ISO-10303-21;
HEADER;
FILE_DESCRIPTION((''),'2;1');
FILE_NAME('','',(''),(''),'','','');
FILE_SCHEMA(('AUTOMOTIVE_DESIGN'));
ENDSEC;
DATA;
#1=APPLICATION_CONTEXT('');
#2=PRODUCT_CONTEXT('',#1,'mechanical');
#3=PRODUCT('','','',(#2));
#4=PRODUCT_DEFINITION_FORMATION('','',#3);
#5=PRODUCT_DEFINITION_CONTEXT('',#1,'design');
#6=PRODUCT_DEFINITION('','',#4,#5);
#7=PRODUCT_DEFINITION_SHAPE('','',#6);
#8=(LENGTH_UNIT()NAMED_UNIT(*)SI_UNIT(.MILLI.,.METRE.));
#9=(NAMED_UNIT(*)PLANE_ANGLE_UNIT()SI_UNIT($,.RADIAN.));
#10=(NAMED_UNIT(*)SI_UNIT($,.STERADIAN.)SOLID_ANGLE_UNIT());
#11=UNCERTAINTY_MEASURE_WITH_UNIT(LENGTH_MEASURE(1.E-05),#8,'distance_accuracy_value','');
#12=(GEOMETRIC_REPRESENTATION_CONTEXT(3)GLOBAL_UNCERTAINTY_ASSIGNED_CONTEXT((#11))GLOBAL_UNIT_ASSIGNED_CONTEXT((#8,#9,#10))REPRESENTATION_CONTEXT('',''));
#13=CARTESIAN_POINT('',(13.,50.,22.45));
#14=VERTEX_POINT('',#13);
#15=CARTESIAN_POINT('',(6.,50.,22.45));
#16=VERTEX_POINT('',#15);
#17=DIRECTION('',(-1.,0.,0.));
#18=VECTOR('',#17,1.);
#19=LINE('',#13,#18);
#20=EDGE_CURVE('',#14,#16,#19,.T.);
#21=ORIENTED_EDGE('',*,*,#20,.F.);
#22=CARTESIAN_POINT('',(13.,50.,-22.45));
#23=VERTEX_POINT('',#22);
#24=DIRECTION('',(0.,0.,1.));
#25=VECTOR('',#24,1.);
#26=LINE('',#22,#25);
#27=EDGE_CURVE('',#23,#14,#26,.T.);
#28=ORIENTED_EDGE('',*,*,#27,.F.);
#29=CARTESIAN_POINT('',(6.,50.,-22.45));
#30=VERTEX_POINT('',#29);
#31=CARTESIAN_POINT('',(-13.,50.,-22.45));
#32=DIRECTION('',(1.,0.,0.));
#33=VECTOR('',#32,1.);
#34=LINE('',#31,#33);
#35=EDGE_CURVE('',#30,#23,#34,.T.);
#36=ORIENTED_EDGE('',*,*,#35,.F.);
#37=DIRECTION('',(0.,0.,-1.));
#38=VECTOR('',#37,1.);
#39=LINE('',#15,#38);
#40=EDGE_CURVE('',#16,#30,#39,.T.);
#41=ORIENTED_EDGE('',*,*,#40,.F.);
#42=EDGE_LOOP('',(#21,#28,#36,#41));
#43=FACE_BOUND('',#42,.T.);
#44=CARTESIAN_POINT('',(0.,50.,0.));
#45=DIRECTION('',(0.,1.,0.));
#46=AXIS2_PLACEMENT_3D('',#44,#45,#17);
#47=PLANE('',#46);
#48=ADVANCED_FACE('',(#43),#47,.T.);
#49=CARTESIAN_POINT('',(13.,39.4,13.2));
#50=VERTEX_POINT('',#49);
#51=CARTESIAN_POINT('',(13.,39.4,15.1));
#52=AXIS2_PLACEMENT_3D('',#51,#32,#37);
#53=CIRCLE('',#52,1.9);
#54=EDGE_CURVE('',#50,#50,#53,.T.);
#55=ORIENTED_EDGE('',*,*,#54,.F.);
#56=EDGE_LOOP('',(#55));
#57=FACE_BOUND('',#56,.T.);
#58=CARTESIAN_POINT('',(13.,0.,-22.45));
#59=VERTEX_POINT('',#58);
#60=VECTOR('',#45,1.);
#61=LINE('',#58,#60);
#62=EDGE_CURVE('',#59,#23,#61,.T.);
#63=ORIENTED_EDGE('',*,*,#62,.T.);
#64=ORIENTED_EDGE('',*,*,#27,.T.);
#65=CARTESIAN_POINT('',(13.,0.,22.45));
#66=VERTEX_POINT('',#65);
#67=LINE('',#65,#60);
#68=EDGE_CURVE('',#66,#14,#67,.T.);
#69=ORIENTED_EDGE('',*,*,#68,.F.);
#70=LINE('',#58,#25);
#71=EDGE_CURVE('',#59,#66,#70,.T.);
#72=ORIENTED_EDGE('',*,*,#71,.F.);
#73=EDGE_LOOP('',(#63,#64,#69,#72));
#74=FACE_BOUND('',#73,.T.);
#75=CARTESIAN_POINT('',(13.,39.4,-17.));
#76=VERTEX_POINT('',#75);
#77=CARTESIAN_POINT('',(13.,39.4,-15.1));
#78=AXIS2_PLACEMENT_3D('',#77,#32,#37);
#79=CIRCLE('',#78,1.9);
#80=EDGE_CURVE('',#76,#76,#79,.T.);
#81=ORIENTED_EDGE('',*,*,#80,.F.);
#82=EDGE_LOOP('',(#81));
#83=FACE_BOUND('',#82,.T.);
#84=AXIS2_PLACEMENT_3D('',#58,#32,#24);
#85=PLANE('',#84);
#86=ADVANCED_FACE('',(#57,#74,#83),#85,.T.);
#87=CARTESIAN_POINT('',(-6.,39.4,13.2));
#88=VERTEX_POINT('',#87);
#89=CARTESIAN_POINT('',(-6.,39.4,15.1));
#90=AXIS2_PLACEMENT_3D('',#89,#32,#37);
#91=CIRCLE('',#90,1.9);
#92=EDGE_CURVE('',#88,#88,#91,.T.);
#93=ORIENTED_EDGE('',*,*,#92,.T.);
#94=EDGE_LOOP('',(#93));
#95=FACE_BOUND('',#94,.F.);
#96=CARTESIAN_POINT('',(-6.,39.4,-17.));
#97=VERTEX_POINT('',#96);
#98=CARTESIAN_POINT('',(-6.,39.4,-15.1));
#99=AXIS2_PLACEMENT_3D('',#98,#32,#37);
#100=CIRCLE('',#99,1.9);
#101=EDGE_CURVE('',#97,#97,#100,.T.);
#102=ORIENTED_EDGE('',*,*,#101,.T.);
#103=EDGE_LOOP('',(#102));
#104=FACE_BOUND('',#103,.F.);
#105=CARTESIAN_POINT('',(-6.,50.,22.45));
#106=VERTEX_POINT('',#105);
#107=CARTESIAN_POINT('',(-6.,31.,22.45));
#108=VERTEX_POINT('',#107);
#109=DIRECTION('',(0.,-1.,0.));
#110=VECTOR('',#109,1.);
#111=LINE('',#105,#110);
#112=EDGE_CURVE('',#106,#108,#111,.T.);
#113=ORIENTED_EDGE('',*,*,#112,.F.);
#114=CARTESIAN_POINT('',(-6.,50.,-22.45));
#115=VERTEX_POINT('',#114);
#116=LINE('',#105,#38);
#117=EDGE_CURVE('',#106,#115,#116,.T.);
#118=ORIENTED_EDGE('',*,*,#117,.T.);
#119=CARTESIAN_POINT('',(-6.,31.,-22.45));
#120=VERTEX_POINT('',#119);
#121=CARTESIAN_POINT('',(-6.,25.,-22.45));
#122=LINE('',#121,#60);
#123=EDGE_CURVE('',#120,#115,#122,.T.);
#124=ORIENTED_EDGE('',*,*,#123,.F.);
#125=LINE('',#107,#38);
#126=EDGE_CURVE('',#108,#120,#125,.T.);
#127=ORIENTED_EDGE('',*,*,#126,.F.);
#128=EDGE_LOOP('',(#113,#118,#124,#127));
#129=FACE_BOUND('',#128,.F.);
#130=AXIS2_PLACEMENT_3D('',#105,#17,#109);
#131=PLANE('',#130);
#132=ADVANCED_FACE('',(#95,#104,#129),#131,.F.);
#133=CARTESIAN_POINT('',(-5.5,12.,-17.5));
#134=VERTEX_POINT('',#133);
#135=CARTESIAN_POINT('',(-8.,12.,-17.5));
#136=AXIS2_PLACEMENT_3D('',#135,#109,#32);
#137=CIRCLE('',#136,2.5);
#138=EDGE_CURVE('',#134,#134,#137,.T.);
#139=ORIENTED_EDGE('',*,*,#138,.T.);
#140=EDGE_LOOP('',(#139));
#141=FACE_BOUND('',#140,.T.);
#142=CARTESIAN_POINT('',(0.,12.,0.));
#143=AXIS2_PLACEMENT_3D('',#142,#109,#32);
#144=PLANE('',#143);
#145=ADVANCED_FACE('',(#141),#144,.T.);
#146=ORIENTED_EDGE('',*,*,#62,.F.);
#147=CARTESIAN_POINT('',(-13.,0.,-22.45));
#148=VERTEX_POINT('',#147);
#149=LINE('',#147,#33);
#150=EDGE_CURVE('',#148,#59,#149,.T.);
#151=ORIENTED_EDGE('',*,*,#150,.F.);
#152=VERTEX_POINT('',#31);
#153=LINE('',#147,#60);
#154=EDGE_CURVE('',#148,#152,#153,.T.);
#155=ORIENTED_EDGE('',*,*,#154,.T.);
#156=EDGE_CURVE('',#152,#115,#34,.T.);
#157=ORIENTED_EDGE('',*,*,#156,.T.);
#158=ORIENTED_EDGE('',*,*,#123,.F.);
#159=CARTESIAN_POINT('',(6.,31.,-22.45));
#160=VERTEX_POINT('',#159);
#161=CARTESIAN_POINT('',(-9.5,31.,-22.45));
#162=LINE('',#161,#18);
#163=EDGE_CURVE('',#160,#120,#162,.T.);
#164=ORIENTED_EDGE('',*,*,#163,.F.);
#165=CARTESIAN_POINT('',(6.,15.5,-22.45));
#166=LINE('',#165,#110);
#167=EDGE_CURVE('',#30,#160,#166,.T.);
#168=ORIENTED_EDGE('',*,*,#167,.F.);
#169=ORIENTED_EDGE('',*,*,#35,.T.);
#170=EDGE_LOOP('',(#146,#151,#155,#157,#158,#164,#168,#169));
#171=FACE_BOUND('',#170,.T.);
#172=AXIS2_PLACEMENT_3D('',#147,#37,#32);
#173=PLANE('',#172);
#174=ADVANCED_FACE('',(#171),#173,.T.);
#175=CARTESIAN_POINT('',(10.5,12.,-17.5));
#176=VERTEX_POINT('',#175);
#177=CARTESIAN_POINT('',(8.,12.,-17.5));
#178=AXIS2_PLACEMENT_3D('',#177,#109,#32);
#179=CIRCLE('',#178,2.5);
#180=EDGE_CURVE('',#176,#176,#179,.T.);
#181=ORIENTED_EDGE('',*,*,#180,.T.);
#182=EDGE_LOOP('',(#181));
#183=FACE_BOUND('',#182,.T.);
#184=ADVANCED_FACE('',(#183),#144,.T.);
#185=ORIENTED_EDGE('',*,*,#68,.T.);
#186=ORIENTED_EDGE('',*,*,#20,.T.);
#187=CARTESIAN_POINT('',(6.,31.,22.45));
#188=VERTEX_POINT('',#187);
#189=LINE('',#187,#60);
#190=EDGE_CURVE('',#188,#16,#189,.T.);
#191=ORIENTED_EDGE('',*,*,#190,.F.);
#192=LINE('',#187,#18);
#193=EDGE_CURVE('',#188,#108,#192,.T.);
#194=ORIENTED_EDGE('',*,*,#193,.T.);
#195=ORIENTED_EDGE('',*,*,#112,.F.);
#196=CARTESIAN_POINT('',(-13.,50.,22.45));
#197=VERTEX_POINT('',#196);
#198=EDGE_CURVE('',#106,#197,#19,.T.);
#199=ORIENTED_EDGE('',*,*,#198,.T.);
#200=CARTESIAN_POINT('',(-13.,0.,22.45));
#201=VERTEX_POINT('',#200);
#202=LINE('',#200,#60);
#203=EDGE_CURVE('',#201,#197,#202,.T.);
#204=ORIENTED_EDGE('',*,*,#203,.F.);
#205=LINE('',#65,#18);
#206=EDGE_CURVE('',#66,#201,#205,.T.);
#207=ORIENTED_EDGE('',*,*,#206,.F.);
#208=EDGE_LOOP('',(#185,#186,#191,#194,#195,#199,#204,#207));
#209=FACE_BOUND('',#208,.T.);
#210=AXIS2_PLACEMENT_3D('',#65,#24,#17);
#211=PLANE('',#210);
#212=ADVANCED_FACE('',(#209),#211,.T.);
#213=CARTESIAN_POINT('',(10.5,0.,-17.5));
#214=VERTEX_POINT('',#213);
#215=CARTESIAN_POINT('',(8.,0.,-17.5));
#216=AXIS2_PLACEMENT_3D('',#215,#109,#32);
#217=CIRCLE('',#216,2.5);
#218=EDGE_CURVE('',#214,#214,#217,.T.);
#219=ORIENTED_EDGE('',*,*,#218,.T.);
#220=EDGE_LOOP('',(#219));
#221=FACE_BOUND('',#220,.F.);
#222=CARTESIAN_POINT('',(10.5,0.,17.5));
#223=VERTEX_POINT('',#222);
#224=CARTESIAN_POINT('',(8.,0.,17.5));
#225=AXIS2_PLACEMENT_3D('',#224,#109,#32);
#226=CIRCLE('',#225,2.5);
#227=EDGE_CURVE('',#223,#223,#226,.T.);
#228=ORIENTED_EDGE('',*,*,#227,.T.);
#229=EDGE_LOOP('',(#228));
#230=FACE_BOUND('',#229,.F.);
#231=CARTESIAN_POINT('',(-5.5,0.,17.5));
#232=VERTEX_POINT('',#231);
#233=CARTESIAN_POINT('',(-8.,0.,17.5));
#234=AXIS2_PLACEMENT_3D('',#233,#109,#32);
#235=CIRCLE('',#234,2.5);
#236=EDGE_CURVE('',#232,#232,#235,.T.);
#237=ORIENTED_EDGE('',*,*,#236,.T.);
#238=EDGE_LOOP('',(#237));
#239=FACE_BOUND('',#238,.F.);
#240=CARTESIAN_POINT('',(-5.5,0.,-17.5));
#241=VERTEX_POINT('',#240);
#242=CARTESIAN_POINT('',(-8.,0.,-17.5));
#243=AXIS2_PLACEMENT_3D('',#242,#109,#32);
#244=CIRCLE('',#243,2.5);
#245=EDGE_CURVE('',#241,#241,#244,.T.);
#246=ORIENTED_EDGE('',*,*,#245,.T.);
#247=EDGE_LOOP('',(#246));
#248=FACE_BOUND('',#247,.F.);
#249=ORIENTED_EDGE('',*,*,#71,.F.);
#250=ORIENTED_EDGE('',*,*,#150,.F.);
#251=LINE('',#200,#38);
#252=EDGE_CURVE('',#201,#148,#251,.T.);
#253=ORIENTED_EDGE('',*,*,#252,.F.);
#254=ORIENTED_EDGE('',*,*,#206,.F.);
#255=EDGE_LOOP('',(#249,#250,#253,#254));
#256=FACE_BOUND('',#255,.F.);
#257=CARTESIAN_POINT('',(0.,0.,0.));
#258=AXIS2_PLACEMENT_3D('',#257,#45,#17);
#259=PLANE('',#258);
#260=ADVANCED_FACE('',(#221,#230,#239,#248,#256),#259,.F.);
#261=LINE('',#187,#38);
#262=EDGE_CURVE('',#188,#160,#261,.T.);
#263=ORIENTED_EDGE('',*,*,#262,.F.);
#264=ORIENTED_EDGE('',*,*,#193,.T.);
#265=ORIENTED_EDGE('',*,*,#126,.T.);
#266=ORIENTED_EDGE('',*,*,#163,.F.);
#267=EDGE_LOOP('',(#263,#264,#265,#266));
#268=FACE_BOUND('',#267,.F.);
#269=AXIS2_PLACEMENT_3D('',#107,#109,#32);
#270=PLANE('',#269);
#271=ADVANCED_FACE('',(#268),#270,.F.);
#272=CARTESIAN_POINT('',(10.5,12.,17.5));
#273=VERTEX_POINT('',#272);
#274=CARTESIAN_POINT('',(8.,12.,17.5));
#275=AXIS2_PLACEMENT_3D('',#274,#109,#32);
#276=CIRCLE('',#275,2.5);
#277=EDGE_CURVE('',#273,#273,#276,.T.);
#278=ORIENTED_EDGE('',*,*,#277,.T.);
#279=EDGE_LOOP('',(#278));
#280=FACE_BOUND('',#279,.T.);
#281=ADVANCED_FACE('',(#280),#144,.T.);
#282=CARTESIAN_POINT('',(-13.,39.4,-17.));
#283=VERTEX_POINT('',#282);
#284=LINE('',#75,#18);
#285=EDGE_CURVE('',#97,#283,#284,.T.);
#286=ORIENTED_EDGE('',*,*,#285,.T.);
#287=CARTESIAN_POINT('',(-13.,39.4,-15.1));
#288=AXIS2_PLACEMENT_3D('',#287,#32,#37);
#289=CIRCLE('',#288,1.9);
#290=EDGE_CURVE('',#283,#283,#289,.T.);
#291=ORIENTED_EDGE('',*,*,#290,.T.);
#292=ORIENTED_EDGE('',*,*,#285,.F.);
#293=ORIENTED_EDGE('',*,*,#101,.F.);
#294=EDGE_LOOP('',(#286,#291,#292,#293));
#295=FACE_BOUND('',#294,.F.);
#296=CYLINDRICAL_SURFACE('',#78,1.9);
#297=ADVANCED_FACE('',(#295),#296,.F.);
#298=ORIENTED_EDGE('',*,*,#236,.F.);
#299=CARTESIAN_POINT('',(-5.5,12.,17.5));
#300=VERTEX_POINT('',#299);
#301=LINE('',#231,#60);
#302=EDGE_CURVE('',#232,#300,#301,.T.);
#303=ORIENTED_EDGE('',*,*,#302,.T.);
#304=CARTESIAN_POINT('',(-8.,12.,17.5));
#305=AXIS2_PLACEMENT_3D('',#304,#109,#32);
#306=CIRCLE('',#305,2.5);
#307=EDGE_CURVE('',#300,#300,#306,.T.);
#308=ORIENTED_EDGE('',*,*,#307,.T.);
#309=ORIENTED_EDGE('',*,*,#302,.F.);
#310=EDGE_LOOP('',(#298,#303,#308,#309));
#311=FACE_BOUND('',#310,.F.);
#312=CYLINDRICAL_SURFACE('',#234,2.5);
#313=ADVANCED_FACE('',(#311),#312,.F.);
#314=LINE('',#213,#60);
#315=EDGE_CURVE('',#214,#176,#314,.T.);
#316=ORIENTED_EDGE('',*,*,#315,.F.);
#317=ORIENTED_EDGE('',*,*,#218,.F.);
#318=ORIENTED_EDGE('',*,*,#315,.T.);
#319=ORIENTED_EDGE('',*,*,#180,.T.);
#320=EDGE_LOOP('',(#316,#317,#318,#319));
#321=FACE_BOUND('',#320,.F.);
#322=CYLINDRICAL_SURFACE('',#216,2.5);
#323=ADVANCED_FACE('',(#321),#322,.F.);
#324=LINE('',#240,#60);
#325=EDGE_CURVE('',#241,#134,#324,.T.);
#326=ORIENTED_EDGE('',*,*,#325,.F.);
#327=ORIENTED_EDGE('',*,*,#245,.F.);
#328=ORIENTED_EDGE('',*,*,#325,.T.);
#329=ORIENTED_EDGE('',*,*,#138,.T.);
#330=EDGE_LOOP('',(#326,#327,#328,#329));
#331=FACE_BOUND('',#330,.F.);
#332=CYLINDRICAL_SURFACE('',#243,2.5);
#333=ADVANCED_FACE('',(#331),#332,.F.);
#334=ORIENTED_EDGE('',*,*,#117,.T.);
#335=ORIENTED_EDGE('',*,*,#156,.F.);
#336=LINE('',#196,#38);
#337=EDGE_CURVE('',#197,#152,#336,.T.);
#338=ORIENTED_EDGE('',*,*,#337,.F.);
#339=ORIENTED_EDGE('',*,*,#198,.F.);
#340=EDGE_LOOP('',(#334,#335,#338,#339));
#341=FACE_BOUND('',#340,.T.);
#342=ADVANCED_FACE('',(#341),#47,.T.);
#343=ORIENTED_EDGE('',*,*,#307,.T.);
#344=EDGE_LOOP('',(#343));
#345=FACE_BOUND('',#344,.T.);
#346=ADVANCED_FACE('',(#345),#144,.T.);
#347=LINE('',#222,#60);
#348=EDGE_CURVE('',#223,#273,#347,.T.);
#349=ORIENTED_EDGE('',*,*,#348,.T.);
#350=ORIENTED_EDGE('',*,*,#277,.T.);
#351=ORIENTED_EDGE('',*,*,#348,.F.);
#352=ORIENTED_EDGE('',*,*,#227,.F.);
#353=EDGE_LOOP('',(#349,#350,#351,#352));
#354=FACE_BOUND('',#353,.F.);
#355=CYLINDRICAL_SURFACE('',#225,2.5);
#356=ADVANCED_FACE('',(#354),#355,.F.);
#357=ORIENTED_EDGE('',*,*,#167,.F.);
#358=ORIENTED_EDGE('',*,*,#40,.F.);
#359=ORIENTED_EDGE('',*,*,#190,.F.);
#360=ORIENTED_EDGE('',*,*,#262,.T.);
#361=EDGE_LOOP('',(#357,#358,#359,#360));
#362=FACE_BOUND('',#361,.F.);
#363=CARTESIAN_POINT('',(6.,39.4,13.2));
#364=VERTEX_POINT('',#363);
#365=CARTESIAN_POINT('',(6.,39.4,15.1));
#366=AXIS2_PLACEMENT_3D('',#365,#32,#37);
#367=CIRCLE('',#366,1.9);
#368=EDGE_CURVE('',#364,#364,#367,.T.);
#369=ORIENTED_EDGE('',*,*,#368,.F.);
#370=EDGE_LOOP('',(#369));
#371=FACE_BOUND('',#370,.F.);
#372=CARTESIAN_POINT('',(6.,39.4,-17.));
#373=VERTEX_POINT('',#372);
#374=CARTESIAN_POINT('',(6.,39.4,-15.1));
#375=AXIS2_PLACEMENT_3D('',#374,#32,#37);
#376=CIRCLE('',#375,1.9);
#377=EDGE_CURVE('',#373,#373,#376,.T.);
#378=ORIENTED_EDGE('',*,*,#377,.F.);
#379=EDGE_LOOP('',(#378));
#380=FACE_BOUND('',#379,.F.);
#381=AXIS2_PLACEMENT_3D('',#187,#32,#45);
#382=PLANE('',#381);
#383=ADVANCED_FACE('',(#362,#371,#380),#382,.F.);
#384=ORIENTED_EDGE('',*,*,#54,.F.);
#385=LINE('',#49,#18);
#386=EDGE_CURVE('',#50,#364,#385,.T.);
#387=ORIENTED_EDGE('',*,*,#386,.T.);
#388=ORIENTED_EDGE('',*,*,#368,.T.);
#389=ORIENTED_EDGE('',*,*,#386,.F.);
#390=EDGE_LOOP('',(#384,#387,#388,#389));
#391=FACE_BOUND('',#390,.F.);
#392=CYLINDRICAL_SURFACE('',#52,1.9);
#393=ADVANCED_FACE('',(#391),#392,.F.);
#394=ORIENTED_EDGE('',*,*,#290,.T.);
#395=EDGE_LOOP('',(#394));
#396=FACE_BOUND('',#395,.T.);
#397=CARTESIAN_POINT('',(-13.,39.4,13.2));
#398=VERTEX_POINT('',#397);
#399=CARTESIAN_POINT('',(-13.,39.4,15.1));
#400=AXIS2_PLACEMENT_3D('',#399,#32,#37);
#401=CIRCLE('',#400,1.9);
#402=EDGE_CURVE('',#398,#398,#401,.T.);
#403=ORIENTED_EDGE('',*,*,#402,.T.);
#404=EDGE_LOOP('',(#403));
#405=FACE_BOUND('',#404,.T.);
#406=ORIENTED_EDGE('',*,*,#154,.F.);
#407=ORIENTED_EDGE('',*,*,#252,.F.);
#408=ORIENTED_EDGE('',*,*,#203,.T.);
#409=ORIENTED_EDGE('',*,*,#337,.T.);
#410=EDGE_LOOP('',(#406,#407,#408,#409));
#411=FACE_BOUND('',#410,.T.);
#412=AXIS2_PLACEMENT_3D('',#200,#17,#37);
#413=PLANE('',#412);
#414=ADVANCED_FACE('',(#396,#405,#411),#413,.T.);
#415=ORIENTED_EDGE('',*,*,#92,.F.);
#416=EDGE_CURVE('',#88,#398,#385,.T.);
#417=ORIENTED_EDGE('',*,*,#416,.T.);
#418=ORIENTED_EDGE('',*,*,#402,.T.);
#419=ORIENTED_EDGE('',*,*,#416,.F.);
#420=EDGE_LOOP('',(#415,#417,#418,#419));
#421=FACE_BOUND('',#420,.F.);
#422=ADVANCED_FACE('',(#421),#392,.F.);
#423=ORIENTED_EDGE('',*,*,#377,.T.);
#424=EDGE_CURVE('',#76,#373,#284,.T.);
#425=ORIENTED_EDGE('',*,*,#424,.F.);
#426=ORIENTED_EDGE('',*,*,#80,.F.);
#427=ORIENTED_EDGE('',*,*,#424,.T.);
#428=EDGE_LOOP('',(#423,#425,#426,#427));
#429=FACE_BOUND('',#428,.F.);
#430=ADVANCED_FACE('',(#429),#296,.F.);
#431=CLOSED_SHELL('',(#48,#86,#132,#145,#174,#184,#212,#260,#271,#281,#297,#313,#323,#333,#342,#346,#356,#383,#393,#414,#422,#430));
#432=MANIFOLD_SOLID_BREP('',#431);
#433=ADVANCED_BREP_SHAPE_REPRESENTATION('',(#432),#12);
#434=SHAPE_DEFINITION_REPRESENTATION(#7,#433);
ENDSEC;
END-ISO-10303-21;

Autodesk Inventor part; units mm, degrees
ref_plane "YZ Plane" through (0, 0, 0) normal (1, 0, 0) x (0, 1, 0)
ref_plane "XZ Plane" through (0, 0, 0) normal (0, 1, 0) x (-1, 0, 0)
ref_plane "XY Plane" through (0, 0, 0) normal (0, 0, 1) x (1, 0, 0)
sketch "Sketch1" plane through (0, 0, 0) normal (0, 1, 0) x (-1, 0, 0)
  line L0 (-13, 22.45) -> (13, 22.45)
  line L1 (13, 22.45) -> (13, -22.45)
  line L2 (13, -22.45) -> (-13, -22.45)
  line L3 (-13, -22.45) -> (-13, 22.45)
  line L4 (-13, 22.45) -> (13, -22.45) construction
  line L5 (13, 22.45) -> (-13, -22.45) construction
  point P0 (0, 0)
  dimension "d0" = 26
  dimension "d1" = 44.9
extrude "Extrusion1" add sketch "Sketch1" along normal blind 50
sketch "Sketch2" plane through (-13, 0, 22.45) normal (0, 0, 1) x (1, 0, 0)
  line L0 (0, 0) -> (26, 0) projected
  line L1 (26, 0) -> (26, 50) projected
  line L2 (0, 50) -> (26, 50) projected
  line L3 (0, 0) -> (0, 50) projected
  line L4 (13, 50) -> (13, 0)
  line L5 (13, 50) -> (7, 50)
  line L6 (26, 50) -> (0, 50) projected
  line L7 (7, 50) -> (7, 31)
  line L8 (7, 31) -> (19, 31)
  line L9 (19, 31) -> (19, 50)
  line L10 (13, 50) -> (19, 50)
  dimension "d4" = 6
  dimension "d5" = 19
  dimension "d6" = 12
extrude "Extrusion2" cut sketch "Sketch2" against normal blind 50 contours L8 L7 L2 L4 | L4 L2 L9 L8
sketch "Sketch3" plane through (13, 0, 22.45) normal (1, 0, 0) x (0, 0, -1)
  circle A0 centre (7.35, 39.4) radius 1.9
  circle A1 centre (37.55, 39.4) radius 1.9
  line L0 (0, 50) -> (44.9, 50) projected
  line L1 (22.45, 50) -> (22.45, 0)
  line L2 (44.9, 0) -> (0, 0) projected
  point P0 (22.45, 25)
  point P1 (3.8014, 50)
  dimension "d9" = 3.8
extrude "Extrusion3" cut sketch "Sketch3" against normal blind 50
sketch "Sketch4" plane through (0, 0, 0) normal (0, -1, 0) x (1, 0, 0)
  circle A0 centre (-8, -17.5) radius 2.5 projected
  circle A1 centre (8, -17.5) radius 2.5 projected
  circle A2 centre (-8, 17.5) radius 2.5 projected
  circle A3 centre (8, 17.5) radius 2.5 projected
  point P0 (0, 0)
extrude "Extrusion4" cut sketch "Sketch4" against normal blind 12
properties part number "housing"
